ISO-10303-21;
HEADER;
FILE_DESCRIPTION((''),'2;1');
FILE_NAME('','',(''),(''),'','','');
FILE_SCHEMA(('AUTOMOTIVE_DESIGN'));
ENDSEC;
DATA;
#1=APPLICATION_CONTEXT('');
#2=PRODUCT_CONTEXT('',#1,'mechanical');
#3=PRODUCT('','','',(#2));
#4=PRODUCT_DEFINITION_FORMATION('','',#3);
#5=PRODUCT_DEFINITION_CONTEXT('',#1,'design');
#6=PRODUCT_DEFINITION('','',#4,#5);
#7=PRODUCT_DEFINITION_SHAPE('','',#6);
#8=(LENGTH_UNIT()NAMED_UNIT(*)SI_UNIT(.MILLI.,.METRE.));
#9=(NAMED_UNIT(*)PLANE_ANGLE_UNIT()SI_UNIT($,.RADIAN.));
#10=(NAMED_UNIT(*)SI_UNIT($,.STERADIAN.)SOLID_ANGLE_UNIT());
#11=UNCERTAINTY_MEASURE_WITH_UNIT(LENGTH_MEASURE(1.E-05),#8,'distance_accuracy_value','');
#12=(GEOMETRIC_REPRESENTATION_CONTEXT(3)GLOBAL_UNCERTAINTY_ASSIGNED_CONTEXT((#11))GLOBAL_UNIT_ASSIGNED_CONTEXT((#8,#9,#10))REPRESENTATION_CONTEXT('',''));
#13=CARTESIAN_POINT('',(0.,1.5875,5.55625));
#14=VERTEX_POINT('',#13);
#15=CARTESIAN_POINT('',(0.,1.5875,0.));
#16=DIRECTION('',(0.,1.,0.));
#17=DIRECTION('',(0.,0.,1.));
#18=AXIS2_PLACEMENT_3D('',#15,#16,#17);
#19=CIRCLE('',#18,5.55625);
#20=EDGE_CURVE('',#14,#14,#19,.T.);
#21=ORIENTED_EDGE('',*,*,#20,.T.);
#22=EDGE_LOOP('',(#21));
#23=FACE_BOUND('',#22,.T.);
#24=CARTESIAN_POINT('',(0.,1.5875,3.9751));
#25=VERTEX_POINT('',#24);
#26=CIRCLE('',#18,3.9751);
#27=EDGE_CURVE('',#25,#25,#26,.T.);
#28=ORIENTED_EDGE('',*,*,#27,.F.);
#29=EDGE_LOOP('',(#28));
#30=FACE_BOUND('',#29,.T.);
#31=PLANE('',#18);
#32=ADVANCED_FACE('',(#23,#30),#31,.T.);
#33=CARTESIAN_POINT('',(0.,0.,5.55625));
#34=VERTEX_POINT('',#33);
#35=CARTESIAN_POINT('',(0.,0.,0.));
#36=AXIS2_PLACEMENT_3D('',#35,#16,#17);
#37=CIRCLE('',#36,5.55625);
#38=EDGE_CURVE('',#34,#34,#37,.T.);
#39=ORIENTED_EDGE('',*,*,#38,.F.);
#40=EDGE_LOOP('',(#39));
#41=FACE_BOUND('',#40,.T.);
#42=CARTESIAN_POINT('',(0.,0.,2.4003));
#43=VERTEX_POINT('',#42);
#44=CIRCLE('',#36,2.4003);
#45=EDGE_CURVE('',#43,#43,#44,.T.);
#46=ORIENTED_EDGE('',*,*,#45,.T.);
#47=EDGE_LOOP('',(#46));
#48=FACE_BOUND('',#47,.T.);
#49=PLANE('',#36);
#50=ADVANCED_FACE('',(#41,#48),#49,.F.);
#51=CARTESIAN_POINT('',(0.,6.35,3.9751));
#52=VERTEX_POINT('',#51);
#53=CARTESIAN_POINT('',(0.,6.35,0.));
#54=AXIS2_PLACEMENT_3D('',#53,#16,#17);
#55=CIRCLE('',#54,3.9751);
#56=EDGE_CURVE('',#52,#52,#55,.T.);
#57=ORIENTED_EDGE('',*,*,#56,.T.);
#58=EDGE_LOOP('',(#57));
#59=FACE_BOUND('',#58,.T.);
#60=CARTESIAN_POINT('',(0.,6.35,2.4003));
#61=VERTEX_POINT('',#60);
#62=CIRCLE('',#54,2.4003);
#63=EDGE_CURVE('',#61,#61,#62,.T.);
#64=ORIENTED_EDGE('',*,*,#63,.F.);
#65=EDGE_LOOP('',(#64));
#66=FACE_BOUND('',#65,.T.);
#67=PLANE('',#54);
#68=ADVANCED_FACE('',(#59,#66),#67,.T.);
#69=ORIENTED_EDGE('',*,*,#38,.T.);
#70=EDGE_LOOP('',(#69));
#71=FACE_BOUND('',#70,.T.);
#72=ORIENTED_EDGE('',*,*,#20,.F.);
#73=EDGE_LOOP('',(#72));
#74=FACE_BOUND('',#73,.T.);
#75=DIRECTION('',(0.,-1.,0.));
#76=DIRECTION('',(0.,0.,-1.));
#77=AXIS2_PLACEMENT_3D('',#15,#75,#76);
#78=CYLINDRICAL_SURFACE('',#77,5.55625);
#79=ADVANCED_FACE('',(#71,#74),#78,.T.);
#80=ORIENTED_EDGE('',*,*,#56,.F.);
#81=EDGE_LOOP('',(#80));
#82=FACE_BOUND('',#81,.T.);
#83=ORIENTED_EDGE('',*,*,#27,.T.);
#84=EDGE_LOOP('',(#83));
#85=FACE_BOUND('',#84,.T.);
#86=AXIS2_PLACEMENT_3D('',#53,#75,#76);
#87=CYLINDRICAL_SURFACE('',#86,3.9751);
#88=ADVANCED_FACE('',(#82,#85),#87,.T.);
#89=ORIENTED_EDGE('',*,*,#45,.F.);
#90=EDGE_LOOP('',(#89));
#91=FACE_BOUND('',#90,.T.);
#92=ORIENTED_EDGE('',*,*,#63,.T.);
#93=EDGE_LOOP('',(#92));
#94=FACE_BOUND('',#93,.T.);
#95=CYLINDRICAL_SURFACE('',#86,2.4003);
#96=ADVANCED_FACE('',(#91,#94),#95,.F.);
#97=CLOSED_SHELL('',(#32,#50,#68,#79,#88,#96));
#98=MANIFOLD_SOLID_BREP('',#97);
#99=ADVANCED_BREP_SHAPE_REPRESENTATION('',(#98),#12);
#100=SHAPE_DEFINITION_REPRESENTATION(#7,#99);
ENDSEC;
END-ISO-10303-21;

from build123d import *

# Parameters (mm, degrees)
SKETCH2_R           = 3.9751
SKETCH2_R_2         = 2.4003
BOSS_EXTRUDE1_DEPTH = 6.35
SKETCH3_R           = 5.55625
SKETCH3_R_2         = 3.9751
BOSS_EXTRUDE2_DEPTH = 1.5875


with BuildPart() as part:
    # Sketch2 → Boss-Extrude1 (new body)
    with BuildSketch(Plane(origin=(0, 0, 0), x_dir=(1, 0, 0), z_dir=(0, 1, 0))):
        with Locations(Location((0, 0, 0), (0, 0, 270))):
            Circle(SKETCH2_R)
        with Locations(Location((0, 0, 0), (0, 0, 270))):
            Circle(SKETCH2_R_2, mode=Mode.SUBTRACT)
    extrude(amount=BOSS_EXTRUDE1_DEPTH)

    # Sketch3 → Boss-Extrude2 (add)
    with BuildSketch(Plane(origin=(0, 0, 0), x_dir=(1, 0, 0), z_dir=(0, 1, 0))):
        with Locations(Location((0, 0, 0), (0, 0, 270))):
            Circle(SKETCH3_R)
        with Locations(Location((0, 0, 0), (0, 0, 270))):
            Circle(SKETCH3_R_2, mode=Mode.SUBTRACT)
    extrude(amount=BOSS_EXTRUDE2_DEPTH)


solid = part.part
